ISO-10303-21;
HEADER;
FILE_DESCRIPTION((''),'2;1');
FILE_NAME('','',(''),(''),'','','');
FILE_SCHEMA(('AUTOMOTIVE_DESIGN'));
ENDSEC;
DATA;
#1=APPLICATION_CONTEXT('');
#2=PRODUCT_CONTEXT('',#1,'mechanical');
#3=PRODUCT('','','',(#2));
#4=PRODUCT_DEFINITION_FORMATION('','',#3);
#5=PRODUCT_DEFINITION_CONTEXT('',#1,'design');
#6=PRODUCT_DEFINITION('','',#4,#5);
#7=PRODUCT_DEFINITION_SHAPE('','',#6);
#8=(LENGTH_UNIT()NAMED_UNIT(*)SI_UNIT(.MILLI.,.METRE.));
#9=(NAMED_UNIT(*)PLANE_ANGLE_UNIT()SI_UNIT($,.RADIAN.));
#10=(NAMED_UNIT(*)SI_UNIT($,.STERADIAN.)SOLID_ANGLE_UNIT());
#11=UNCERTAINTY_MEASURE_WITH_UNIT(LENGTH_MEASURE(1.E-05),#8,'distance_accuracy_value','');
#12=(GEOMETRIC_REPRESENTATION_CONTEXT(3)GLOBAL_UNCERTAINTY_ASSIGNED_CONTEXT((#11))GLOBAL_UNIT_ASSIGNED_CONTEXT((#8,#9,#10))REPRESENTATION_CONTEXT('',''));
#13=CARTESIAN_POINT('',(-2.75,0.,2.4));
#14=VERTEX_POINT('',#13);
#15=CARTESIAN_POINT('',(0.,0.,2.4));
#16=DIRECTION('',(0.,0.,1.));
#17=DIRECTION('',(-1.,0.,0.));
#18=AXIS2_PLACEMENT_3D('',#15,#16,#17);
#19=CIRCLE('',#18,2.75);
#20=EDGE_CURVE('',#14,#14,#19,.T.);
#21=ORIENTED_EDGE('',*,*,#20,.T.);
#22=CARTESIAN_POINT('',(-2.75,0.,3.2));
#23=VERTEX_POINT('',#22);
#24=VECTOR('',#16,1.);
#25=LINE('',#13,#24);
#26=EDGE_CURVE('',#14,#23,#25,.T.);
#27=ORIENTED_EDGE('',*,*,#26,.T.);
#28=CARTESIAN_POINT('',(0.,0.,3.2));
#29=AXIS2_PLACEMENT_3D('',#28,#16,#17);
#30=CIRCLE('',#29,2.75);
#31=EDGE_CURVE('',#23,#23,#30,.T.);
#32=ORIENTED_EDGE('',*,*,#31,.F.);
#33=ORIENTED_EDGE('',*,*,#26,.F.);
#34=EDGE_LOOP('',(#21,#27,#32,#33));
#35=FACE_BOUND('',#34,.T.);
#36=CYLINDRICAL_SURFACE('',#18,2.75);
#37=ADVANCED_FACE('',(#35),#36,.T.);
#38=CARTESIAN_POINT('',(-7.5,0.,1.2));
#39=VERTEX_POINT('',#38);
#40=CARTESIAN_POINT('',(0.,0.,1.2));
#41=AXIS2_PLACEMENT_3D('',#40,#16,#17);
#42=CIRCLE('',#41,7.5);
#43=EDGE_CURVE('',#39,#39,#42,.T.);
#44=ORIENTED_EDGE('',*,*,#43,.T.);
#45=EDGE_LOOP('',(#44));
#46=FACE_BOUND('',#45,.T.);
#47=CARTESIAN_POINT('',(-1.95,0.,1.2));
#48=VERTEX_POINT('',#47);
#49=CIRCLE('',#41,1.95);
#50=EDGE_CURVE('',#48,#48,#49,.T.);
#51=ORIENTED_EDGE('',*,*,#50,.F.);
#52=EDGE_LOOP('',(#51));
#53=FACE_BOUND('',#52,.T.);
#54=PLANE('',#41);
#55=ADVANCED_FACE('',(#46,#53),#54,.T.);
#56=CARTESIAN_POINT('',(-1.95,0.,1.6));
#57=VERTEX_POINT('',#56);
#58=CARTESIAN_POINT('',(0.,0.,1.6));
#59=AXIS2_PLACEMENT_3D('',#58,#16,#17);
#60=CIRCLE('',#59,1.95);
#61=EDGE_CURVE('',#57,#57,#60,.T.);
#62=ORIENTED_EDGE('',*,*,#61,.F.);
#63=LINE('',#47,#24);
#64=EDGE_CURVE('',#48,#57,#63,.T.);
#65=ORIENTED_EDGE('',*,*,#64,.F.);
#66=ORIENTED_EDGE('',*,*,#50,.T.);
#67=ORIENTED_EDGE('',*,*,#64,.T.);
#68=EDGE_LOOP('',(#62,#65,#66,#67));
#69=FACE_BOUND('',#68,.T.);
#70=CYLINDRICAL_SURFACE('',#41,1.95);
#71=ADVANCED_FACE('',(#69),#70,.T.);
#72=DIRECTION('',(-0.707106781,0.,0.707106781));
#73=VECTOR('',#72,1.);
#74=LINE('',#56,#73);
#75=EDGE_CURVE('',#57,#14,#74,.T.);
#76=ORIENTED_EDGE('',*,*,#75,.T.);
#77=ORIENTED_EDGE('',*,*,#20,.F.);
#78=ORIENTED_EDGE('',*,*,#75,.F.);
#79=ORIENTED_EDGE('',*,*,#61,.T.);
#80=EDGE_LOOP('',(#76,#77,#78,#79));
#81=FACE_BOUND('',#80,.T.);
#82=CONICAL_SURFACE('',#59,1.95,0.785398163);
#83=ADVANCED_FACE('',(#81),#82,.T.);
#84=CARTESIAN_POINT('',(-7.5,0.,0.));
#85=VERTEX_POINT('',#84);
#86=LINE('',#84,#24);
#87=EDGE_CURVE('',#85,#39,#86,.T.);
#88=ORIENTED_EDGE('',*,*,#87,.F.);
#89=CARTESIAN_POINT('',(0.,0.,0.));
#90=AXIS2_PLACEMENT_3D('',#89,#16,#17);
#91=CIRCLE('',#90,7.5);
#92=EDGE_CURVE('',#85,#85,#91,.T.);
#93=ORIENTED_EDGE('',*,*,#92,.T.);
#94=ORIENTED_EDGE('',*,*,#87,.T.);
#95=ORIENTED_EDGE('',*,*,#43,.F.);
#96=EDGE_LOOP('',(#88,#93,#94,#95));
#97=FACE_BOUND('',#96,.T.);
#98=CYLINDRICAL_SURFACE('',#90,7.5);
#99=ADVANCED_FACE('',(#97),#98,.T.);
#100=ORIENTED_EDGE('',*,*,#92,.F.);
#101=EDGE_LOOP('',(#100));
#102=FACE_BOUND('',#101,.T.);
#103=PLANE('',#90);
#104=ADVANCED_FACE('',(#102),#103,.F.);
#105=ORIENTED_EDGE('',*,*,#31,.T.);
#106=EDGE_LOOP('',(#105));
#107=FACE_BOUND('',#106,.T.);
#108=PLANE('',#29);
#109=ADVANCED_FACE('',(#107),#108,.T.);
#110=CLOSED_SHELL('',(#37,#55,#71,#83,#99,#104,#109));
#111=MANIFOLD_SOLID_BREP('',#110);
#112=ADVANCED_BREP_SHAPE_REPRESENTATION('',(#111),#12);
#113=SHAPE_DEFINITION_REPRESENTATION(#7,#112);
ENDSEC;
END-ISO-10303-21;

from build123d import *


with BuildPart() as part:
    # Sketch → Revolution (revolve)
    with BuildSketch(Plane.XZ):
        Polygon((0, 0), (-7.5, 0), (-7.5, 1.2), (-1.95, 1.2), (-1.95, 1.6), (-2.75, 2.4), (-2.75, 3.2), (0, 3.2), align=None)
    revolve(axis=Axis((0, 0, 0), (0, 0, 1)))


solid = part.part
